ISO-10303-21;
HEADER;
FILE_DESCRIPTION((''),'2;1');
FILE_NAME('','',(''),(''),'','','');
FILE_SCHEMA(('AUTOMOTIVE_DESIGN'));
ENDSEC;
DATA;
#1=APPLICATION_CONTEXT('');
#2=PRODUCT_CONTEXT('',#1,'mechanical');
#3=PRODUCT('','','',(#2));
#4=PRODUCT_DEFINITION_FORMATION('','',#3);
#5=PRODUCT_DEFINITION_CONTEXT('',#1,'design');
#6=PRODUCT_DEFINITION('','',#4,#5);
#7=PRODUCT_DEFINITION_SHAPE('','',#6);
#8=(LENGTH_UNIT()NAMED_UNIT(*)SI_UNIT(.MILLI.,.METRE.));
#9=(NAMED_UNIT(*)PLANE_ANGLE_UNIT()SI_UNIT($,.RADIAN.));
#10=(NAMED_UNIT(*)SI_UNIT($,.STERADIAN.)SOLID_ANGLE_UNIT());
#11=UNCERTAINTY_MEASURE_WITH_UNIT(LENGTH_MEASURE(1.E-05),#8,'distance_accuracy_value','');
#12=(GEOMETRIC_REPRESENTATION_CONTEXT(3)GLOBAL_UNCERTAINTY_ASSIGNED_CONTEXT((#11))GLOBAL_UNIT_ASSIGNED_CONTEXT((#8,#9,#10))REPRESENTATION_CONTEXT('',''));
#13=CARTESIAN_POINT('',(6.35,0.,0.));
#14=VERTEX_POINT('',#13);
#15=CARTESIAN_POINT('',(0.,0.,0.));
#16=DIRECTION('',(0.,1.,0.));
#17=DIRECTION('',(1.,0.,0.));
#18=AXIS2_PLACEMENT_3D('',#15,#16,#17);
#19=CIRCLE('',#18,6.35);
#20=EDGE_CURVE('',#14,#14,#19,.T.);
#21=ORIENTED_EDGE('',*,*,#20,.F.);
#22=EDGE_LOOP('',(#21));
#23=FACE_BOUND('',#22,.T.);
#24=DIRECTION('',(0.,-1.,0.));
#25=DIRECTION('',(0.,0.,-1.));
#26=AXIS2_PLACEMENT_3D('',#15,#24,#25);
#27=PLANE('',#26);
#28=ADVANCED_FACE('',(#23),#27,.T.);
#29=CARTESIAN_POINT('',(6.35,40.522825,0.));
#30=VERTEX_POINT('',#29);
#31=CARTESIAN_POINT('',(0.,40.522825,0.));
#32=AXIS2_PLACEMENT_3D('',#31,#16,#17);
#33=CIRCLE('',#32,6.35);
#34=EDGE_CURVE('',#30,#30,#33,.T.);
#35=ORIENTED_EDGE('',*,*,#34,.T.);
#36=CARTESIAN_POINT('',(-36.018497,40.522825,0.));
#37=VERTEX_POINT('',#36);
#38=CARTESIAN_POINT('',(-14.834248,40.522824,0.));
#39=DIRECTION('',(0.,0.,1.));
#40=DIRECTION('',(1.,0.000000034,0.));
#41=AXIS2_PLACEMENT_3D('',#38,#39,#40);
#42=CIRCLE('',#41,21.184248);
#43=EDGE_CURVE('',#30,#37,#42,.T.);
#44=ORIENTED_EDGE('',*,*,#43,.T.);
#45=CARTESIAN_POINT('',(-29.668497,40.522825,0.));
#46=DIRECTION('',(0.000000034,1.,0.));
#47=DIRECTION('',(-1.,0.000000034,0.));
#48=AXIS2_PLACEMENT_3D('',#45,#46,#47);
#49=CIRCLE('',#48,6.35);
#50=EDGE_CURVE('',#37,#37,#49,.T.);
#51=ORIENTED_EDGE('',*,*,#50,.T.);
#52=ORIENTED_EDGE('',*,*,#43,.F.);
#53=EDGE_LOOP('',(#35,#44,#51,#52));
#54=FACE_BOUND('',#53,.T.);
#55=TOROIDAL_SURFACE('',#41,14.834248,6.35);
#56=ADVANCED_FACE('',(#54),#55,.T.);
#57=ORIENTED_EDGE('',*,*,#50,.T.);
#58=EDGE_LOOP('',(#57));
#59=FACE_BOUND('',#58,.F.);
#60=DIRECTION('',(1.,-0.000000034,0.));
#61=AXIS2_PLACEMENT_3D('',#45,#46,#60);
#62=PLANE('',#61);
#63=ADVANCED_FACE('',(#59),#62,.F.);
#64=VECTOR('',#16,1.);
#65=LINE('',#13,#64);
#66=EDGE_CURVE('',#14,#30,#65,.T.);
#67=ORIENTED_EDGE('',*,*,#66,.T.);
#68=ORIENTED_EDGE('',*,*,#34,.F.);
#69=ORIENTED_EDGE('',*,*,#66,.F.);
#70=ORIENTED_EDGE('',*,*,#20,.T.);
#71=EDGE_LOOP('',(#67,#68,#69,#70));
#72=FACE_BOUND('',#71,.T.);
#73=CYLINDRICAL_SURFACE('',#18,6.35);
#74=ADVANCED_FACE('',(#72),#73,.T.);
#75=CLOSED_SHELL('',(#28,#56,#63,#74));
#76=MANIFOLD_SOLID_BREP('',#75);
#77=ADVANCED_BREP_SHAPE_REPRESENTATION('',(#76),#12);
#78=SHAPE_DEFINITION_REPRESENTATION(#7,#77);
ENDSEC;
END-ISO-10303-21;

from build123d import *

# Parameters (mm, degrees)
F1_R = 6.35


with BuildPart() as f2:
    # F2: sweep along a path in F0
    with BuildLine(Plane.XY) as f2_path:
        Line((0, 0), (0, 40.522825))
        ThreePointArc((0, 40.522825), (-14.834248, 55.357073), (-29.668497, 40.522825))
    # F1 (on Front) → F2 (sweep)
    with BuildSketch(Plane.XZ):
        Circle(F1_R)
    sweep(path=f2_path.line)


solid = f2.part
